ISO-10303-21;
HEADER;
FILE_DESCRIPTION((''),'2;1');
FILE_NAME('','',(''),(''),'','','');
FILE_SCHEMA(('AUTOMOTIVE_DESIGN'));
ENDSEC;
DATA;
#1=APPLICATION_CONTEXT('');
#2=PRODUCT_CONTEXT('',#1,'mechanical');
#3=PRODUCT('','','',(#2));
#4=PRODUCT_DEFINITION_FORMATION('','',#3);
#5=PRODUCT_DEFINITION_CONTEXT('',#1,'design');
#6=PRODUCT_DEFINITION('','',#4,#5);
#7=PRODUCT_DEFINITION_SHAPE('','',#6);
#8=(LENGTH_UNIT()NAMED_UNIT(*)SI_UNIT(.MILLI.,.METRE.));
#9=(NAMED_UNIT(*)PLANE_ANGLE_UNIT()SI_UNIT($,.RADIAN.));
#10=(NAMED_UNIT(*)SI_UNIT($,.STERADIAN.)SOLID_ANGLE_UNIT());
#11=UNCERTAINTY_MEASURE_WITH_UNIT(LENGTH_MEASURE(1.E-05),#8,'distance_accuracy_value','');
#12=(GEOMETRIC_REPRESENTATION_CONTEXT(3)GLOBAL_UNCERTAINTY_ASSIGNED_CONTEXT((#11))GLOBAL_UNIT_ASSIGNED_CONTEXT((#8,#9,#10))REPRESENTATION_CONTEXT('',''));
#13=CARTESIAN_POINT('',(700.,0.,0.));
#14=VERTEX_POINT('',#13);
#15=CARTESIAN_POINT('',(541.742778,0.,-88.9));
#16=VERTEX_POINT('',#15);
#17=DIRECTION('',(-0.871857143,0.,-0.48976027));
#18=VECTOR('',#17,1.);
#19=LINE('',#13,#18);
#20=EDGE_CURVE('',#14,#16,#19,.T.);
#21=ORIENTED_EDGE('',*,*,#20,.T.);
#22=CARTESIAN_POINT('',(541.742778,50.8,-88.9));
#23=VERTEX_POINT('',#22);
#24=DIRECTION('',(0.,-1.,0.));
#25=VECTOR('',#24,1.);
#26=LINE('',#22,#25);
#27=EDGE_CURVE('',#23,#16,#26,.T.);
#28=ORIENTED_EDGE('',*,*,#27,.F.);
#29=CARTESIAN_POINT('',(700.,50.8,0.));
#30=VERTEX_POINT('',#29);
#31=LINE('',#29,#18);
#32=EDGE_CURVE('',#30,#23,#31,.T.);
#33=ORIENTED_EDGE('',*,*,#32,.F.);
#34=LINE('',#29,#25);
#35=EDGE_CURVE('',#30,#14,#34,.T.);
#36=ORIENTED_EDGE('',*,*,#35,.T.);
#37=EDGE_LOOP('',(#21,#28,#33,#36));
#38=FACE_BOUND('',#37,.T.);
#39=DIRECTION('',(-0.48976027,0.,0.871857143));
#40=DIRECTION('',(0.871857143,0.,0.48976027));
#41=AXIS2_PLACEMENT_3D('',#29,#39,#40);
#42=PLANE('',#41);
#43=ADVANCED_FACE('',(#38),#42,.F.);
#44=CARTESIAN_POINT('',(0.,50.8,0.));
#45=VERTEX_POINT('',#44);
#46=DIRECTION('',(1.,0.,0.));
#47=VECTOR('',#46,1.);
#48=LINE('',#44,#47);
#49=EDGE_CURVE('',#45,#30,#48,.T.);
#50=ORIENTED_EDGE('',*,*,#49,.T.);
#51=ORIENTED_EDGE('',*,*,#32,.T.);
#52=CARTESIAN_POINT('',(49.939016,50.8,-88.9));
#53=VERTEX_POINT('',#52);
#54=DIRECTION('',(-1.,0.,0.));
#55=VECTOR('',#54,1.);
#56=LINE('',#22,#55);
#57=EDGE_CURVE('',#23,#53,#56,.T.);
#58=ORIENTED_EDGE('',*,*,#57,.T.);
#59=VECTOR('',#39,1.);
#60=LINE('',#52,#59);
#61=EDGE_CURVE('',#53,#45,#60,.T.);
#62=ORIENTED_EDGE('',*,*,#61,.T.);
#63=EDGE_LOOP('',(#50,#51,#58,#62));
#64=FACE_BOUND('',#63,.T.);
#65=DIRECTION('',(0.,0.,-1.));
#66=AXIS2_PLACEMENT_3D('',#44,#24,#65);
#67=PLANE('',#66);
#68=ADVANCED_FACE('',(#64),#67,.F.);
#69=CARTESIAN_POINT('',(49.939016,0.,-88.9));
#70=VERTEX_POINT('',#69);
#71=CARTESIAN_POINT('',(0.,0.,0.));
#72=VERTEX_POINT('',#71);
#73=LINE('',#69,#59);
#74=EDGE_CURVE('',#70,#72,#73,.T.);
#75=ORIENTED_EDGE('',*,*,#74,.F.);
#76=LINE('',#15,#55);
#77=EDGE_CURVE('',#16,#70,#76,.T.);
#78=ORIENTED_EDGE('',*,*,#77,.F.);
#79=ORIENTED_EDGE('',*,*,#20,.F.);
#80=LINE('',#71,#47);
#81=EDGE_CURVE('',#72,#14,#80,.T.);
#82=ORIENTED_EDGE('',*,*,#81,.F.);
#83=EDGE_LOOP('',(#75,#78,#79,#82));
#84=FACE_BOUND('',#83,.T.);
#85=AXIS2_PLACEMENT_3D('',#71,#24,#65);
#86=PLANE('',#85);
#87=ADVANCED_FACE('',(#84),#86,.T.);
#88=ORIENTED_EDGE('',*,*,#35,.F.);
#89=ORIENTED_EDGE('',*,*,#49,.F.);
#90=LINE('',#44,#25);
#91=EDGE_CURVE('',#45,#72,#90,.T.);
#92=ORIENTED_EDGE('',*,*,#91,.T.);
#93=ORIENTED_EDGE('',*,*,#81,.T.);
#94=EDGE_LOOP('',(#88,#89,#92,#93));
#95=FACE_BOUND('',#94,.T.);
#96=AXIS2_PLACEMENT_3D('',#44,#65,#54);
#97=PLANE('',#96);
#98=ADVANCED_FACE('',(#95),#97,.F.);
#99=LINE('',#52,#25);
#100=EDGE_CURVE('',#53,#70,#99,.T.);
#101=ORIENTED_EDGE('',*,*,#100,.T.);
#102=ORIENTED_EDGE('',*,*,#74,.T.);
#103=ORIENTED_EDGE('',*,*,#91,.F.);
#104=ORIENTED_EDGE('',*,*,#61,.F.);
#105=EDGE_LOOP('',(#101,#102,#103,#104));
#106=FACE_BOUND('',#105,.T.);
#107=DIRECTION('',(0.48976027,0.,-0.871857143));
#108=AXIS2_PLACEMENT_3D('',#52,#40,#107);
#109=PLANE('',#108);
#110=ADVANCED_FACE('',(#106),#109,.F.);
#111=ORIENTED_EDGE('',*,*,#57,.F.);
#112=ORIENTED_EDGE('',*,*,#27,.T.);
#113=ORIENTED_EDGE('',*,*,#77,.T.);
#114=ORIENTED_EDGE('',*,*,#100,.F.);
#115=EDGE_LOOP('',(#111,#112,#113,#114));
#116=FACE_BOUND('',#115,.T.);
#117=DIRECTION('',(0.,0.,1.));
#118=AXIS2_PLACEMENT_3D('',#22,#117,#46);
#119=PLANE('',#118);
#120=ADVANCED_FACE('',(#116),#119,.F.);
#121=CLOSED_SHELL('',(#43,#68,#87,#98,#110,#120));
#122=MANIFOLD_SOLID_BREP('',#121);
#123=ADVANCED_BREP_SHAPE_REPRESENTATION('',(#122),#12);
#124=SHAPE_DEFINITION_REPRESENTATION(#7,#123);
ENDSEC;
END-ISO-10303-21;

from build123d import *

# Parameters (mm, degrees)
BOSS_EXTRUDE1_DEPTH = 50.8


with BuildPart() as part:
    # Sketch1 → Boss-Extrude1 (new body)
    with BuildSketch(Plane(origin=(0, 0, 0), x_dir=(1, 0, 0), z_dir=(0, 1, 0))):
        Polygon((0, 0), (700, 0), (541.742777663, 88.9), (49.939016263, 88.9), align=None)
    extrude(amount=BOSS_EXTRUDE1_DEPTH)


solid = part.part
